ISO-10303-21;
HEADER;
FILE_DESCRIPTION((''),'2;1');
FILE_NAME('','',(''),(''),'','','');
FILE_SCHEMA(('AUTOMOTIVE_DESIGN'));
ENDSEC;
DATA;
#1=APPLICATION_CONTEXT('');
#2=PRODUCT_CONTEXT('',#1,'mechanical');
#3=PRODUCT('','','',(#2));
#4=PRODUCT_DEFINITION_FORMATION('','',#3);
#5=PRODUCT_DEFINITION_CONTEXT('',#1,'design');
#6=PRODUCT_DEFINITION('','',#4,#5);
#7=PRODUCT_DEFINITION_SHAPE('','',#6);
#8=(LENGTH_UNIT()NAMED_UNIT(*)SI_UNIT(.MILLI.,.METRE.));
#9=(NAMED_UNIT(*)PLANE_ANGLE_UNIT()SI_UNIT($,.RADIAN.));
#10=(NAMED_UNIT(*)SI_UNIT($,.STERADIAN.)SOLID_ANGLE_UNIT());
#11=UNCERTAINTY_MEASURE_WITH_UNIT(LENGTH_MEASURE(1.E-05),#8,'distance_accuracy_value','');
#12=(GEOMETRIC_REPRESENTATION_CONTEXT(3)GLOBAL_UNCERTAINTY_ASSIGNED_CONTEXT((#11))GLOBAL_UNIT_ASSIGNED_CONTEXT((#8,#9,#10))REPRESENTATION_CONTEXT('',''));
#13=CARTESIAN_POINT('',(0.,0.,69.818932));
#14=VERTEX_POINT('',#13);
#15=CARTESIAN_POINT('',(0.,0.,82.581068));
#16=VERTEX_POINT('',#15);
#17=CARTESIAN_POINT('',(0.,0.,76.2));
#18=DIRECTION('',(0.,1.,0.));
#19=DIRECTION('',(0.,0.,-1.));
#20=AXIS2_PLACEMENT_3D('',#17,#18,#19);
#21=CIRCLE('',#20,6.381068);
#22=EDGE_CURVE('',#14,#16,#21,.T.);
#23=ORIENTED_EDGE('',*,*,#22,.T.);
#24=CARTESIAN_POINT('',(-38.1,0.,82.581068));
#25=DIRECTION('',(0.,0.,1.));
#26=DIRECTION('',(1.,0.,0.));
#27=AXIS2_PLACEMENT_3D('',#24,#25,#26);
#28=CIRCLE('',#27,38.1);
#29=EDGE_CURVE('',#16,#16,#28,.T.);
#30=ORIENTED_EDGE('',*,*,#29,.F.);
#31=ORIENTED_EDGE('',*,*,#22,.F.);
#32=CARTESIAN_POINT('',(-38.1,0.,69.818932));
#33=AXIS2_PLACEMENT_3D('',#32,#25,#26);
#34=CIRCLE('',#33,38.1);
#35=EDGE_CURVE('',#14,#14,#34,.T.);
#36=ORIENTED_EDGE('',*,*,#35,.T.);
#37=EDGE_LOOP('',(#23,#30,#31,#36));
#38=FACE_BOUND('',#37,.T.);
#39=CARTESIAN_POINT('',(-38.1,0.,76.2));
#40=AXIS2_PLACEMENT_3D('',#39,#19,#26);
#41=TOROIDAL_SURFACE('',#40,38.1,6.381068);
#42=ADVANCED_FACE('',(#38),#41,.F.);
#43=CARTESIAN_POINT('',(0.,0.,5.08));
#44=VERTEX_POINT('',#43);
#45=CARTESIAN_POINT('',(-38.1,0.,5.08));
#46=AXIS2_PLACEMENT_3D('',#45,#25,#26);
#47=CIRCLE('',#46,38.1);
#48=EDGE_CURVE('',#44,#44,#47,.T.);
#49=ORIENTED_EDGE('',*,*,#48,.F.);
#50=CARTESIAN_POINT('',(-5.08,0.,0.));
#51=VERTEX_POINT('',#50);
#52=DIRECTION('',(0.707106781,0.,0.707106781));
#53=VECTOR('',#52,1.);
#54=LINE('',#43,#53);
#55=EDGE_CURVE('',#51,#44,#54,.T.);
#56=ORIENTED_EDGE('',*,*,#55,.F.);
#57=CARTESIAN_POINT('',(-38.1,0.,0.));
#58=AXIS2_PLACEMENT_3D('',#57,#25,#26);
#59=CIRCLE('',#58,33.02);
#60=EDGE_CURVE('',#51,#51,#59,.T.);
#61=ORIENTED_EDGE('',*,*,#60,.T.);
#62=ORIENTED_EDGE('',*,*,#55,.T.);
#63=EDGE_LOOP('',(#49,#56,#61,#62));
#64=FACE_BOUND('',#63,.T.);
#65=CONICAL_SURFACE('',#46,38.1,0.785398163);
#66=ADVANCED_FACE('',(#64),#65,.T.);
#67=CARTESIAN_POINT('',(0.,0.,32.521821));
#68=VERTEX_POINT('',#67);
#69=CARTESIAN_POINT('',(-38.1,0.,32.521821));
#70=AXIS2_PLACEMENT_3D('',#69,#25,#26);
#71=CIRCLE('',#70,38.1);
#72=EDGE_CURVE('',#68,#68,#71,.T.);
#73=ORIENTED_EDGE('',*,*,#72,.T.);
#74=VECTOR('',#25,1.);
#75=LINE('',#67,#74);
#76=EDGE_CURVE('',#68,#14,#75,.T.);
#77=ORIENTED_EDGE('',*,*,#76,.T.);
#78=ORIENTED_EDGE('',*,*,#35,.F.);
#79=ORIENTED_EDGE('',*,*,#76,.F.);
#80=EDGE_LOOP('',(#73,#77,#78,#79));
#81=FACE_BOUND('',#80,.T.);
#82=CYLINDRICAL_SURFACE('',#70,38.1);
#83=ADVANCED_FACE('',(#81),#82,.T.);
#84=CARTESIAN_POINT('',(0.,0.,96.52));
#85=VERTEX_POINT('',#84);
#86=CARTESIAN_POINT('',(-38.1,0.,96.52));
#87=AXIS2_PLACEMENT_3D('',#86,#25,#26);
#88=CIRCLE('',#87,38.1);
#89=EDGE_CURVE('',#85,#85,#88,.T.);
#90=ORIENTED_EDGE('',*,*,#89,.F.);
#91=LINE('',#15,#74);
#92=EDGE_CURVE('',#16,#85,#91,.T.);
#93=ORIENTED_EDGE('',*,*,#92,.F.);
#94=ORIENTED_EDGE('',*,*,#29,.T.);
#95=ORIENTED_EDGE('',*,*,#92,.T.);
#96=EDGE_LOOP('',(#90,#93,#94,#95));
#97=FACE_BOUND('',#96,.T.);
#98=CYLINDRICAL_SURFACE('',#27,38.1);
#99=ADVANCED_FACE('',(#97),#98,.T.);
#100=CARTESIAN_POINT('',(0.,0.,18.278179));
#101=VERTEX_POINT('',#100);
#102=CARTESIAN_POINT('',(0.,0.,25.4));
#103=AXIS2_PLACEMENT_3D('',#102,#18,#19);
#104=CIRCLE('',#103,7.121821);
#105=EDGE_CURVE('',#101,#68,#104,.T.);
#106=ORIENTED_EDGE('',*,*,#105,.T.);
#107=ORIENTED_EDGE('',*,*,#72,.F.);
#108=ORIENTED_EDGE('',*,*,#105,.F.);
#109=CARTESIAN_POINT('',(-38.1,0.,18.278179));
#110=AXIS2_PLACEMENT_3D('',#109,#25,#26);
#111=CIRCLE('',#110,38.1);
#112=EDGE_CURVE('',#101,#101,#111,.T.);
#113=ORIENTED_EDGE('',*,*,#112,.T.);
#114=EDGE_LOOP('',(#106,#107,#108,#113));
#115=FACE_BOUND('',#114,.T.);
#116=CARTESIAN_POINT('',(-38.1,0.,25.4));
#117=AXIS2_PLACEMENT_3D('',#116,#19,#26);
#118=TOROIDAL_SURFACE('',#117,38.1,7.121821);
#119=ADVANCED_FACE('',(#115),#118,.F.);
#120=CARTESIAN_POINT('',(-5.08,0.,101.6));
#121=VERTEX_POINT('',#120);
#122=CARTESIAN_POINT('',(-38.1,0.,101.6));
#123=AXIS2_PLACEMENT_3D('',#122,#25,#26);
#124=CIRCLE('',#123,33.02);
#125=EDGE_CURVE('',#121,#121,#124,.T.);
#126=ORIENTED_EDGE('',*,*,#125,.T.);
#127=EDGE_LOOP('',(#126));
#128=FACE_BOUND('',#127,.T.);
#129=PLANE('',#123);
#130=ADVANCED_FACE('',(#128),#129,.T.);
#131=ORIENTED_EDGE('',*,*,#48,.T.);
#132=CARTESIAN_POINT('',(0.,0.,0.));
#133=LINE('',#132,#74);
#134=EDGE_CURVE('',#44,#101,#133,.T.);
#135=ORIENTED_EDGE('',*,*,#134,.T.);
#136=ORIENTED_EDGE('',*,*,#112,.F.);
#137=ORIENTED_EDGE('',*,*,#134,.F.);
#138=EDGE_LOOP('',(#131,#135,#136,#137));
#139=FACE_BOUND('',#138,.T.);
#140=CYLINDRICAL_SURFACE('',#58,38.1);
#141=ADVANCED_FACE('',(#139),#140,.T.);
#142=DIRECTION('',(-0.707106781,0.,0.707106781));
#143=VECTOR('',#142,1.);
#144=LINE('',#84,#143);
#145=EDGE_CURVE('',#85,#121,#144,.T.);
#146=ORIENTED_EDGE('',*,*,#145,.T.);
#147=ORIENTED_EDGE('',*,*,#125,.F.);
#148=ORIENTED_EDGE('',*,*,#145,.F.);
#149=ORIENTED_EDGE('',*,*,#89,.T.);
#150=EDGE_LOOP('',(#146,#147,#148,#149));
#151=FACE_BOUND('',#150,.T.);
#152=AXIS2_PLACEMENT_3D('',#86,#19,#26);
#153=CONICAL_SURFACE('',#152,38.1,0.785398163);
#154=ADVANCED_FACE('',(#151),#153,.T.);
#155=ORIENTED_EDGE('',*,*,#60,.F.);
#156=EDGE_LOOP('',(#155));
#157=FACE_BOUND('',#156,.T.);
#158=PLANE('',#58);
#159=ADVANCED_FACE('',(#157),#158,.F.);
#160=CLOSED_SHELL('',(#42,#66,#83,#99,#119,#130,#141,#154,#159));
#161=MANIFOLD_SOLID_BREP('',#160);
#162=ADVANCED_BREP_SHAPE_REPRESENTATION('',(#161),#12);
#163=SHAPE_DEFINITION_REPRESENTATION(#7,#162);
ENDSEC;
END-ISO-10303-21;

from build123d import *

# Parameters (mm, degrees)
F2_SIZE = 5.08


with BuildPart() as f1:
    # F0 (on Front) → F1 (revolve)
    with BuildSketch(Plane.XZ):
        with BuildLine():
            Line((-38.1, 0), (0, 0))
            Line((0, 0), (0, 18.278179))
            ThreePointArc((0, 18.278179), (-7.121821, 25.4), (0, 32.521821))
            Line((0, 32.521821), (0, 69.818932))
            ThreePointArc((0, 69.818932), (-6.381068, 76.2), (0, 82.581068))
            Line((0, 82.581068), (0, 101.6))
            Line((0, 101.6), (-38.1, 101.6))
            Line((-38.1, 101.6), (-38.1, 0))
        make_face()
    revolve(axis=Axis((-38.1, 0, 50.8), (0, 0, 1)))

    # F2
    f2_edges = [f1.edges().sort_by_distance(p)[0] for p in [
        (-76.2, 0, 101.6),
        (-76.2, 0, 0),
    ]]
    chamfer(f2_edges, length=F2_SIZE)


solid = f1.part
